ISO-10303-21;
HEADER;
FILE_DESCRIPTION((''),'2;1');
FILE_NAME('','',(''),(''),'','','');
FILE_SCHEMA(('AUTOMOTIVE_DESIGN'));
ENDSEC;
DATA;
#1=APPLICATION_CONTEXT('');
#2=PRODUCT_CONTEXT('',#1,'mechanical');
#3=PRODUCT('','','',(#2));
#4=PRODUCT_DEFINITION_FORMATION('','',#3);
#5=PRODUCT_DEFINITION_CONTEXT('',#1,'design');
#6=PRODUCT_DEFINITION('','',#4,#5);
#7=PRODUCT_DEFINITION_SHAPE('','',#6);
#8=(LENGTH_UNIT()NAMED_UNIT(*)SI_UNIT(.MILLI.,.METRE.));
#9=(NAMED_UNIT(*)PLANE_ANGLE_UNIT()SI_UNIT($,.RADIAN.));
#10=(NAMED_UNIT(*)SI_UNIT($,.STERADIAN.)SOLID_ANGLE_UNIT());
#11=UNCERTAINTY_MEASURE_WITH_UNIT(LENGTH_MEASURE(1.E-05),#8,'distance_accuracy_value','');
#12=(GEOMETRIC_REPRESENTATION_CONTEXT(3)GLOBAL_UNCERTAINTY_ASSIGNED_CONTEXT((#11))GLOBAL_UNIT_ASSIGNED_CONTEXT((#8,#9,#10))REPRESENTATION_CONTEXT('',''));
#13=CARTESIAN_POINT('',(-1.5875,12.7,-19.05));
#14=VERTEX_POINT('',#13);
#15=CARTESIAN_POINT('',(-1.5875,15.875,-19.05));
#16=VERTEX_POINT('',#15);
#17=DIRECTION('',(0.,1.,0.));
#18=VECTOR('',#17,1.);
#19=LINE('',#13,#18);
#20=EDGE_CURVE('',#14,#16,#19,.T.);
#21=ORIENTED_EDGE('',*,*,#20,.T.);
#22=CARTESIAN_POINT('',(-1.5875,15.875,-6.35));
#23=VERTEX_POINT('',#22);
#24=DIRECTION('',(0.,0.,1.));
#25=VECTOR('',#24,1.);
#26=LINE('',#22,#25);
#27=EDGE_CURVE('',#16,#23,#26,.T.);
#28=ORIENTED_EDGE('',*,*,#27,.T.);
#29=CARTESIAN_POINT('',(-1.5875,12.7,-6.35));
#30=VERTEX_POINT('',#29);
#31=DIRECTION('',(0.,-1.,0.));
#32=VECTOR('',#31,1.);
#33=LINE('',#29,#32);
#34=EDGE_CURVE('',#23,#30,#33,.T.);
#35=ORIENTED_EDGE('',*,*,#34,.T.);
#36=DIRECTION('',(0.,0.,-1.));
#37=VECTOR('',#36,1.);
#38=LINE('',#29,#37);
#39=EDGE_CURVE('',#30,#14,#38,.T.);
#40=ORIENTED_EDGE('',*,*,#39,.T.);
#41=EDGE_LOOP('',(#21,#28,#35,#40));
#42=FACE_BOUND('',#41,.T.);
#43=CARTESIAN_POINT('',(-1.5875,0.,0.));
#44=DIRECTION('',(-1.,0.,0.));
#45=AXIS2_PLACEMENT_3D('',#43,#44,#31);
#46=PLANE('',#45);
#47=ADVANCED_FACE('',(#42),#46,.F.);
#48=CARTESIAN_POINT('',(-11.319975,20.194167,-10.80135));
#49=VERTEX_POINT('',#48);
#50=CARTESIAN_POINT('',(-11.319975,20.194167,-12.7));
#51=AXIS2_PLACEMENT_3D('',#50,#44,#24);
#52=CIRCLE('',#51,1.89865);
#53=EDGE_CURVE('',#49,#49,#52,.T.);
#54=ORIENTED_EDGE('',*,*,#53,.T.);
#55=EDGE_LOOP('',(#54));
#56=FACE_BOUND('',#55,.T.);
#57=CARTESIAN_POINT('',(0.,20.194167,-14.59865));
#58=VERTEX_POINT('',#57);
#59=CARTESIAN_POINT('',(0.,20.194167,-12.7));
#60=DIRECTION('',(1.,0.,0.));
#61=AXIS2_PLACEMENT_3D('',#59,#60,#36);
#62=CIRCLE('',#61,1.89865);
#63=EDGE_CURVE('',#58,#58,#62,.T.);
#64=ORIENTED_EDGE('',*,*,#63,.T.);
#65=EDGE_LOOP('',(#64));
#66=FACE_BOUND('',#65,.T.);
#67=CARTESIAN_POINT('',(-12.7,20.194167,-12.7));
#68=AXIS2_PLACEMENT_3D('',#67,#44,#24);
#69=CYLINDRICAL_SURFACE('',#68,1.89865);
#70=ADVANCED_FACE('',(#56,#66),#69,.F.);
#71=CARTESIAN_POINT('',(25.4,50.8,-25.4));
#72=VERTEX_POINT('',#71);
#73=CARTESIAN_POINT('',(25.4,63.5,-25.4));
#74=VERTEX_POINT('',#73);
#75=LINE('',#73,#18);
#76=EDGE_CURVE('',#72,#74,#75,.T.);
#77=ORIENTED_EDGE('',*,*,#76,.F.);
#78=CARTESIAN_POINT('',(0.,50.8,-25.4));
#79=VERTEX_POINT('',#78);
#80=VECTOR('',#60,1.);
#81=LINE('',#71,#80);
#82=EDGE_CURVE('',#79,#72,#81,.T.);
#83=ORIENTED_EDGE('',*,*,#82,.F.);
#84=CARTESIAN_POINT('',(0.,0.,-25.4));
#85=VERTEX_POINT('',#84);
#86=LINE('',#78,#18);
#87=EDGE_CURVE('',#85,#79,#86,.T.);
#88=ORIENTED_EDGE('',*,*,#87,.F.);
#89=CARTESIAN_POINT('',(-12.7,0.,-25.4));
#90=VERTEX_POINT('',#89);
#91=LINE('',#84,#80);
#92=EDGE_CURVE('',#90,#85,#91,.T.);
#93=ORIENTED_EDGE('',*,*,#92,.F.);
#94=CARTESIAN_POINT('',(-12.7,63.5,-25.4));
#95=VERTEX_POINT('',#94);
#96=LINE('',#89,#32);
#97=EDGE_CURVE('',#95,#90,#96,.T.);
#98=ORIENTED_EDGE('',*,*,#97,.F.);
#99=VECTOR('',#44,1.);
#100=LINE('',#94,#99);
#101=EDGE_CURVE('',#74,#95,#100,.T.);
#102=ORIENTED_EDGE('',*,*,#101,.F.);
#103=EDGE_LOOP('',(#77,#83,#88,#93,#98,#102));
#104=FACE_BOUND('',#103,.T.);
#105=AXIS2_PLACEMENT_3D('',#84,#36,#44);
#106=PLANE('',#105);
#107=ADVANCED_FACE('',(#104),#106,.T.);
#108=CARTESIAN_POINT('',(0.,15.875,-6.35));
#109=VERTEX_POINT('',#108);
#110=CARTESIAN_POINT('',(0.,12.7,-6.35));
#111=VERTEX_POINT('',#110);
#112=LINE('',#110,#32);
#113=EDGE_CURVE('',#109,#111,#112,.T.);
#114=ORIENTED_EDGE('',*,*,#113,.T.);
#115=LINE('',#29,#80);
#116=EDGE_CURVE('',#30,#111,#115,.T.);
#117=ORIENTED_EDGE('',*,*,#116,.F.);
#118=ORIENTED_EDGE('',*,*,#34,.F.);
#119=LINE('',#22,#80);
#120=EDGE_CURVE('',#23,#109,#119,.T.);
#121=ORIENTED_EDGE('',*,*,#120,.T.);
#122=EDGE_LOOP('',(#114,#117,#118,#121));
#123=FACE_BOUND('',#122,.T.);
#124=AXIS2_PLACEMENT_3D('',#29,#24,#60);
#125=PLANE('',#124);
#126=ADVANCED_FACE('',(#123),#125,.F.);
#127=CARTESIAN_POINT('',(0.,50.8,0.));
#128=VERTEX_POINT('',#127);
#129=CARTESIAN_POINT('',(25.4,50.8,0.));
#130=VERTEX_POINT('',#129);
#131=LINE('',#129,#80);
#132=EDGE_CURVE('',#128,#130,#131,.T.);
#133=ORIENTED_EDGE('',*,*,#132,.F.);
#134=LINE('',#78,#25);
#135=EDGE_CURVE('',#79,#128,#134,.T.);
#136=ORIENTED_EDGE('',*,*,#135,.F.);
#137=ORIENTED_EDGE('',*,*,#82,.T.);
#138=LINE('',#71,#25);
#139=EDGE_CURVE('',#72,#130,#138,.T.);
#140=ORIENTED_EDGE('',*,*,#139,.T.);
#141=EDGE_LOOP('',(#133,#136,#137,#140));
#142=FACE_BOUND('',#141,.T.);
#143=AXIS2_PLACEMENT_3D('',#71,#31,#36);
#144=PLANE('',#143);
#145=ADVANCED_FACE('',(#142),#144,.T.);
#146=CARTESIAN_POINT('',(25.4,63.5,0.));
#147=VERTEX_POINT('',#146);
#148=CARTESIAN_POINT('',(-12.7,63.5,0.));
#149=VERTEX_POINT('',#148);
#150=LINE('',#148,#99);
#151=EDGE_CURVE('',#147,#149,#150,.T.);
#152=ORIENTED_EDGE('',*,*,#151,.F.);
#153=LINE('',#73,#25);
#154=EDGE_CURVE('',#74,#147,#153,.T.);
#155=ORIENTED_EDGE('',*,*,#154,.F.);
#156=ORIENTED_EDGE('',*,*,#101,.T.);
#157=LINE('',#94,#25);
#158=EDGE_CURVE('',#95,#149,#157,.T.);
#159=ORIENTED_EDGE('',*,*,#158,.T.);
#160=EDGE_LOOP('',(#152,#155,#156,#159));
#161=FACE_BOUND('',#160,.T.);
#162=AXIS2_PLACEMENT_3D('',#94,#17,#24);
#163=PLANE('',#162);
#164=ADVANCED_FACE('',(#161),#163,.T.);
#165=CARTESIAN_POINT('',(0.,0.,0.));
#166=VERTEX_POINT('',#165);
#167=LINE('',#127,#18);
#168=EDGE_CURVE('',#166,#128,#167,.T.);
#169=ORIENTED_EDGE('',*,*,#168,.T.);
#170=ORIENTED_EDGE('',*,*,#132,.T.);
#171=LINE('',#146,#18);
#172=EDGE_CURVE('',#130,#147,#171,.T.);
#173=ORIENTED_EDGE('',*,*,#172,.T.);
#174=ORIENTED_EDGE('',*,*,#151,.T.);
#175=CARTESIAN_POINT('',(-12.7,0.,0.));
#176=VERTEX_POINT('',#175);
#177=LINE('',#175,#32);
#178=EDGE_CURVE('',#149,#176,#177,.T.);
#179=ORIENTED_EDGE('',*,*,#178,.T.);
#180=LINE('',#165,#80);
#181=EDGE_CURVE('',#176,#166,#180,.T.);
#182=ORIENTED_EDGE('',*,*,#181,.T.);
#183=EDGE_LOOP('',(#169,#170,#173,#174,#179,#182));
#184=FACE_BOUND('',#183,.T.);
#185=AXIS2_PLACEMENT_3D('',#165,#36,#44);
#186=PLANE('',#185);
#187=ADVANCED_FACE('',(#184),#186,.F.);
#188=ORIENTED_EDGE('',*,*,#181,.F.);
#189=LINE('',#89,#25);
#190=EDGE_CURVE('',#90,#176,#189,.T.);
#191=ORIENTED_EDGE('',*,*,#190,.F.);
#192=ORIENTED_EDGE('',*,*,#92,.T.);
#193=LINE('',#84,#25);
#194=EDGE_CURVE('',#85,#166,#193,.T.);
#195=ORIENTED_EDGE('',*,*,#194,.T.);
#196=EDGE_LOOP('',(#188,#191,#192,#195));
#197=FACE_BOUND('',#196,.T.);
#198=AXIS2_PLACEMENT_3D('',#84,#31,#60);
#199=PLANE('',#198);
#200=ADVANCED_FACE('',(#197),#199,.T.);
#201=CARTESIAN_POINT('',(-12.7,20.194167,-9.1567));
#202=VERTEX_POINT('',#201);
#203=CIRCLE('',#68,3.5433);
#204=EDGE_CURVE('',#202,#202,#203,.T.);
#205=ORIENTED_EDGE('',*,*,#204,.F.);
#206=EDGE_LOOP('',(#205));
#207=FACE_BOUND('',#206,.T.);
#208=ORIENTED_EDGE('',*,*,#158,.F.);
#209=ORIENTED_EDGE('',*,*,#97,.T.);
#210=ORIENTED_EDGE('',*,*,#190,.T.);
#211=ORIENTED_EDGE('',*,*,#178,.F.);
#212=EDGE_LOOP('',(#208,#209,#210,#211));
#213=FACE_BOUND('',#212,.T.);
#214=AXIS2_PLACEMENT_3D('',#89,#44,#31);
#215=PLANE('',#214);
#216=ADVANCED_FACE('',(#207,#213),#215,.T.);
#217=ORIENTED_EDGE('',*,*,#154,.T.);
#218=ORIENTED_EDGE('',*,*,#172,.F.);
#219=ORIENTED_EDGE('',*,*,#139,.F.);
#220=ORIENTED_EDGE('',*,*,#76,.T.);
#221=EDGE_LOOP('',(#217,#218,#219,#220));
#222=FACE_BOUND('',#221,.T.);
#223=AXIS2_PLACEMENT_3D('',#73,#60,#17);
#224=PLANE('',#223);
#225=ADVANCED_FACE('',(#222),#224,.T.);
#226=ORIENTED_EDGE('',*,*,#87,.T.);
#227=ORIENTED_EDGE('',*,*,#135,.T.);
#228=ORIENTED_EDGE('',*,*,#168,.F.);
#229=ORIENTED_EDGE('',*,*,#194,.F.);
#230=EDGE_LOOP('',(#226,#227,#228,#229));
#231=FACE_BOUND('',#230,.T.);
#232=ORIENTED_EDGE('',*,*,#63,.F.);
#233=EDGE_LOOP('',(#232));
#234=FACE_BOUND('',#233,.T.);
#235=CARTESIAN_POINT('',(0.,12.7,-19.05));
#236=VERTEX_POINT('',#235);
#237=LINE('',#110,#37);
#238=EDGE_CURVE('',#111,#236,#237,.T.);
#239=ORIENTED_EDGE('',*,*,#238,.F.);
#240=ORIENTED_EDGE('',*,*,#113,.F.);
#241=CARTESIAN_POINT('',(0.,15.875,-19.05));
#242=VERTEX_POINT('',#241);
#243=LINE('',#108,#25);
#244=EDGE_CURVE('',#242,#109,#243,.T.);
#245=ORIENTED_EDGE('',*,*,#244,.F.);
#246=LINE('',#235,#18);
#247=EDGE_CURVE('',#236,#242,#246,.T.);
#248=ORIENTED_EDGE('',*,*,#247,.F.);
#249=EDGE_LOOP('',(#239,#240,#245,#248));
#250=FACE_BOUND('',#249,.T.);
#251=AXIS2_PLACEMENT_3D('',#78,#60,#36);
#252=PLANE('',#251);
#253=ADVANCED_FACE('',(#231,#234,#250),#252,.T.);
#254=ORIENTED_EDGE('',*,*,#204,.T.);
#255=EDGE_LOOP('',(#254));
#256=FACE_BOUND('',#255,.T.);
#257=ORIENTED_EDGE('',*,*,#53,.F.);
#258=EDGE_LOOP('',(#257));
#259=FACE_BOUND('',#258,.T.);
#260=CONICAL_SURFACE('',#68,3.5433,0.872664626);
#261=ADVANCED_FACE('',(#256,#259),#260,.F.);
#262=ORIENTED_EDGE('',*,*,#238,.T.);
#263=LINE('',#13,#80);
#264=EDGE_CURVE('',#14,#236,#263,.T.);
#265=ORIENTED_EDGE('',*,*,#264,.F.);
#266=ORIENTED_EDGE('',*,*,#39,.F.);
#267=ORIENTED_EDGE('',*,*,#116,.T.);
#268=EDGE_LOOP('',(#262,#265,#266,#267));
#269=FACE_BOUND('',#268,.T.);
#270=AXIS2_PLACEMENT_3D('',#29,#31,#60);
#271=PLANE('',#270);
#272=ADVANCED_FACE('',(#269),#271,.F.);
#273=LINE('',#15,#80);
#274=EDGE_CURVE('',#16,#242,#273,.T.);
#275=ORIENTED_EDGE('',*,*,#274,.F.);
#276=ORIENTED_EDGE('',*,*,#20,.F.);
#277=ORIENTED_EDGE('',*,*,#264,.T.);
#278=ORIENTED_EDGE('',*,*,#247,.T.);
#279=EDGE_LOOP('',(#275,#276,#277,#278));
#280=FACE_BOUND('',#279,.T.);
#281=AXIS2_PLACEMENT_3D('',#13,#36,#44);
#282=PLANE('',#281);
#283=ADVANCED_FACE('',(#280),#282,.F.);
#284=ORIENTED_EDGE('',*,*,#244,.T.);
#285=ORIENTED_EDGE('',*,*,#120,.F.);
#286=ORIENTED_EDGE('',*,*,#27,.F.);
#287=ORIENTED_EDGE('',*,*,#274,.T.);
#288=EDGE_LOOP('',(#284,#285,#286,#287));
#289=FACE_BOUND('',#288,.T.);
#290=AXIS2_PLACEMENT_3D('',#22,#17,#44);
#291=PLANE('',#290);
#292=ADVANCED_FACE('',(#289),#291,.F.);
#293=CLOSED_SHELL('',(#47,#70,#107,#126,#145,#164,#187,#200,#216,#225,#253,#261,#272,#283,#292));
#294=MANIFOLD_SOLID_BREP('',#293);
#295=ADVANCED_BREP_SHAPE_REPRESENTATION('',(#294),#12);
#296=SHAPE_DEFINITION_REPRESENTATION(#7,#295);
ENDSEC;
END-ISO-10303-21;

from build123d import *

# Parameters (mm, degrees)
BOSS_EXTRUDE1_DEPTH                               = 25.4
SKETCH2_W                                         = 12.7
SKETCH2_H                                         = 3.175
CUT_EXTRUDE1_DEPTH                                = 1.5875
CSK_FOR_6_FLAT_HEAD_MACHINE_SCREW_100_D           = 3.7973
CSK_FOR_6_FLAT_HEAD_MACHINE_SCREW_100_DEPTH       = 25.4
CSK_FOR_6_FLAT_HEAD_MACHINE_SCREW_100_CSINK_D     = 7.0866
CSK_FOR_6_FLAT_HEAD_MACHINE_SCREW_100_CSINK_ANGLE = 100
CSK_FOR_6_FLAT_HEAD_MACHINE_SCREW_100_TIP         = 1.140824014


with BuildPart() as part:
    # Sketch1 → Boss-Extrude1 (new body)
    with BuildSketch(Plane.XY):
        Polygon((-12.7, 0), (-12.7, 63.5), (25.4, 63.5), (25.4, 50.8), (0, 50.8), (0, 0), align=None)
    extrude(amount=-BOSS_EXTRUDE1_DEPTH)

    # Sketch2 → Cut-Extrude1 (cut)
    with BuildSketch(Plane(origin=(0, 0, 0), x_dir=(0, 0, -1), z_dir=(1, 0, 0))):
        with Locations((12.7, 14.2875)):
            Rectangle(SKETCH2_W, SKETCH2_H)
    extrude(amount=-CUT_EXTRUDE1_DEPTH, mode=Mode.SUBTRACT)

    # CSK for #6 Flat Head Machine Screw (100)1
    with Locations(Plane(origin=(-12.7, -5.150678534, -61.119160157), x_dir=(0, 0, 1), z_dir=(-1, 0, 0))):
        with Locations((48.419160157, 25.344845691)):
            CounterSinkHole(CSK_FOR_6_FLAT_HEAD_MACHINE_SCREW_100_D / 2, CSK_FOR_6_FLAT_HEAD_MACHINE_SCREW_100_CSINK_D / 2, depth=CSK_FOR_6_FLAT_HEAD_MACHINE_SCREW_100_DEPTH, counter_sink_angle=CSK_FOR_6_FLAT_HEAD_MACHINE_SCREW_100_CSINK_ANGLE)
            with Locations((0, 0, -(CSK_FOR_6_FLAT_HEAD_MACHINE_SCREW_100_DEPTH + CSK_FOR_6_FLAT_HEAD_MACHINE_SCREW_100_TIP / 2))):  # 118° drill point
                Cone(0, CSK_FOR_6_FLAT_HEAD_MACHINE_SCREW_100_D / 2, CSK_FOR_6_FLAT_HEAD_MACHINE_SCREW_100_TIP, mode=Mode.SUBTRACT)


solid = part.part
